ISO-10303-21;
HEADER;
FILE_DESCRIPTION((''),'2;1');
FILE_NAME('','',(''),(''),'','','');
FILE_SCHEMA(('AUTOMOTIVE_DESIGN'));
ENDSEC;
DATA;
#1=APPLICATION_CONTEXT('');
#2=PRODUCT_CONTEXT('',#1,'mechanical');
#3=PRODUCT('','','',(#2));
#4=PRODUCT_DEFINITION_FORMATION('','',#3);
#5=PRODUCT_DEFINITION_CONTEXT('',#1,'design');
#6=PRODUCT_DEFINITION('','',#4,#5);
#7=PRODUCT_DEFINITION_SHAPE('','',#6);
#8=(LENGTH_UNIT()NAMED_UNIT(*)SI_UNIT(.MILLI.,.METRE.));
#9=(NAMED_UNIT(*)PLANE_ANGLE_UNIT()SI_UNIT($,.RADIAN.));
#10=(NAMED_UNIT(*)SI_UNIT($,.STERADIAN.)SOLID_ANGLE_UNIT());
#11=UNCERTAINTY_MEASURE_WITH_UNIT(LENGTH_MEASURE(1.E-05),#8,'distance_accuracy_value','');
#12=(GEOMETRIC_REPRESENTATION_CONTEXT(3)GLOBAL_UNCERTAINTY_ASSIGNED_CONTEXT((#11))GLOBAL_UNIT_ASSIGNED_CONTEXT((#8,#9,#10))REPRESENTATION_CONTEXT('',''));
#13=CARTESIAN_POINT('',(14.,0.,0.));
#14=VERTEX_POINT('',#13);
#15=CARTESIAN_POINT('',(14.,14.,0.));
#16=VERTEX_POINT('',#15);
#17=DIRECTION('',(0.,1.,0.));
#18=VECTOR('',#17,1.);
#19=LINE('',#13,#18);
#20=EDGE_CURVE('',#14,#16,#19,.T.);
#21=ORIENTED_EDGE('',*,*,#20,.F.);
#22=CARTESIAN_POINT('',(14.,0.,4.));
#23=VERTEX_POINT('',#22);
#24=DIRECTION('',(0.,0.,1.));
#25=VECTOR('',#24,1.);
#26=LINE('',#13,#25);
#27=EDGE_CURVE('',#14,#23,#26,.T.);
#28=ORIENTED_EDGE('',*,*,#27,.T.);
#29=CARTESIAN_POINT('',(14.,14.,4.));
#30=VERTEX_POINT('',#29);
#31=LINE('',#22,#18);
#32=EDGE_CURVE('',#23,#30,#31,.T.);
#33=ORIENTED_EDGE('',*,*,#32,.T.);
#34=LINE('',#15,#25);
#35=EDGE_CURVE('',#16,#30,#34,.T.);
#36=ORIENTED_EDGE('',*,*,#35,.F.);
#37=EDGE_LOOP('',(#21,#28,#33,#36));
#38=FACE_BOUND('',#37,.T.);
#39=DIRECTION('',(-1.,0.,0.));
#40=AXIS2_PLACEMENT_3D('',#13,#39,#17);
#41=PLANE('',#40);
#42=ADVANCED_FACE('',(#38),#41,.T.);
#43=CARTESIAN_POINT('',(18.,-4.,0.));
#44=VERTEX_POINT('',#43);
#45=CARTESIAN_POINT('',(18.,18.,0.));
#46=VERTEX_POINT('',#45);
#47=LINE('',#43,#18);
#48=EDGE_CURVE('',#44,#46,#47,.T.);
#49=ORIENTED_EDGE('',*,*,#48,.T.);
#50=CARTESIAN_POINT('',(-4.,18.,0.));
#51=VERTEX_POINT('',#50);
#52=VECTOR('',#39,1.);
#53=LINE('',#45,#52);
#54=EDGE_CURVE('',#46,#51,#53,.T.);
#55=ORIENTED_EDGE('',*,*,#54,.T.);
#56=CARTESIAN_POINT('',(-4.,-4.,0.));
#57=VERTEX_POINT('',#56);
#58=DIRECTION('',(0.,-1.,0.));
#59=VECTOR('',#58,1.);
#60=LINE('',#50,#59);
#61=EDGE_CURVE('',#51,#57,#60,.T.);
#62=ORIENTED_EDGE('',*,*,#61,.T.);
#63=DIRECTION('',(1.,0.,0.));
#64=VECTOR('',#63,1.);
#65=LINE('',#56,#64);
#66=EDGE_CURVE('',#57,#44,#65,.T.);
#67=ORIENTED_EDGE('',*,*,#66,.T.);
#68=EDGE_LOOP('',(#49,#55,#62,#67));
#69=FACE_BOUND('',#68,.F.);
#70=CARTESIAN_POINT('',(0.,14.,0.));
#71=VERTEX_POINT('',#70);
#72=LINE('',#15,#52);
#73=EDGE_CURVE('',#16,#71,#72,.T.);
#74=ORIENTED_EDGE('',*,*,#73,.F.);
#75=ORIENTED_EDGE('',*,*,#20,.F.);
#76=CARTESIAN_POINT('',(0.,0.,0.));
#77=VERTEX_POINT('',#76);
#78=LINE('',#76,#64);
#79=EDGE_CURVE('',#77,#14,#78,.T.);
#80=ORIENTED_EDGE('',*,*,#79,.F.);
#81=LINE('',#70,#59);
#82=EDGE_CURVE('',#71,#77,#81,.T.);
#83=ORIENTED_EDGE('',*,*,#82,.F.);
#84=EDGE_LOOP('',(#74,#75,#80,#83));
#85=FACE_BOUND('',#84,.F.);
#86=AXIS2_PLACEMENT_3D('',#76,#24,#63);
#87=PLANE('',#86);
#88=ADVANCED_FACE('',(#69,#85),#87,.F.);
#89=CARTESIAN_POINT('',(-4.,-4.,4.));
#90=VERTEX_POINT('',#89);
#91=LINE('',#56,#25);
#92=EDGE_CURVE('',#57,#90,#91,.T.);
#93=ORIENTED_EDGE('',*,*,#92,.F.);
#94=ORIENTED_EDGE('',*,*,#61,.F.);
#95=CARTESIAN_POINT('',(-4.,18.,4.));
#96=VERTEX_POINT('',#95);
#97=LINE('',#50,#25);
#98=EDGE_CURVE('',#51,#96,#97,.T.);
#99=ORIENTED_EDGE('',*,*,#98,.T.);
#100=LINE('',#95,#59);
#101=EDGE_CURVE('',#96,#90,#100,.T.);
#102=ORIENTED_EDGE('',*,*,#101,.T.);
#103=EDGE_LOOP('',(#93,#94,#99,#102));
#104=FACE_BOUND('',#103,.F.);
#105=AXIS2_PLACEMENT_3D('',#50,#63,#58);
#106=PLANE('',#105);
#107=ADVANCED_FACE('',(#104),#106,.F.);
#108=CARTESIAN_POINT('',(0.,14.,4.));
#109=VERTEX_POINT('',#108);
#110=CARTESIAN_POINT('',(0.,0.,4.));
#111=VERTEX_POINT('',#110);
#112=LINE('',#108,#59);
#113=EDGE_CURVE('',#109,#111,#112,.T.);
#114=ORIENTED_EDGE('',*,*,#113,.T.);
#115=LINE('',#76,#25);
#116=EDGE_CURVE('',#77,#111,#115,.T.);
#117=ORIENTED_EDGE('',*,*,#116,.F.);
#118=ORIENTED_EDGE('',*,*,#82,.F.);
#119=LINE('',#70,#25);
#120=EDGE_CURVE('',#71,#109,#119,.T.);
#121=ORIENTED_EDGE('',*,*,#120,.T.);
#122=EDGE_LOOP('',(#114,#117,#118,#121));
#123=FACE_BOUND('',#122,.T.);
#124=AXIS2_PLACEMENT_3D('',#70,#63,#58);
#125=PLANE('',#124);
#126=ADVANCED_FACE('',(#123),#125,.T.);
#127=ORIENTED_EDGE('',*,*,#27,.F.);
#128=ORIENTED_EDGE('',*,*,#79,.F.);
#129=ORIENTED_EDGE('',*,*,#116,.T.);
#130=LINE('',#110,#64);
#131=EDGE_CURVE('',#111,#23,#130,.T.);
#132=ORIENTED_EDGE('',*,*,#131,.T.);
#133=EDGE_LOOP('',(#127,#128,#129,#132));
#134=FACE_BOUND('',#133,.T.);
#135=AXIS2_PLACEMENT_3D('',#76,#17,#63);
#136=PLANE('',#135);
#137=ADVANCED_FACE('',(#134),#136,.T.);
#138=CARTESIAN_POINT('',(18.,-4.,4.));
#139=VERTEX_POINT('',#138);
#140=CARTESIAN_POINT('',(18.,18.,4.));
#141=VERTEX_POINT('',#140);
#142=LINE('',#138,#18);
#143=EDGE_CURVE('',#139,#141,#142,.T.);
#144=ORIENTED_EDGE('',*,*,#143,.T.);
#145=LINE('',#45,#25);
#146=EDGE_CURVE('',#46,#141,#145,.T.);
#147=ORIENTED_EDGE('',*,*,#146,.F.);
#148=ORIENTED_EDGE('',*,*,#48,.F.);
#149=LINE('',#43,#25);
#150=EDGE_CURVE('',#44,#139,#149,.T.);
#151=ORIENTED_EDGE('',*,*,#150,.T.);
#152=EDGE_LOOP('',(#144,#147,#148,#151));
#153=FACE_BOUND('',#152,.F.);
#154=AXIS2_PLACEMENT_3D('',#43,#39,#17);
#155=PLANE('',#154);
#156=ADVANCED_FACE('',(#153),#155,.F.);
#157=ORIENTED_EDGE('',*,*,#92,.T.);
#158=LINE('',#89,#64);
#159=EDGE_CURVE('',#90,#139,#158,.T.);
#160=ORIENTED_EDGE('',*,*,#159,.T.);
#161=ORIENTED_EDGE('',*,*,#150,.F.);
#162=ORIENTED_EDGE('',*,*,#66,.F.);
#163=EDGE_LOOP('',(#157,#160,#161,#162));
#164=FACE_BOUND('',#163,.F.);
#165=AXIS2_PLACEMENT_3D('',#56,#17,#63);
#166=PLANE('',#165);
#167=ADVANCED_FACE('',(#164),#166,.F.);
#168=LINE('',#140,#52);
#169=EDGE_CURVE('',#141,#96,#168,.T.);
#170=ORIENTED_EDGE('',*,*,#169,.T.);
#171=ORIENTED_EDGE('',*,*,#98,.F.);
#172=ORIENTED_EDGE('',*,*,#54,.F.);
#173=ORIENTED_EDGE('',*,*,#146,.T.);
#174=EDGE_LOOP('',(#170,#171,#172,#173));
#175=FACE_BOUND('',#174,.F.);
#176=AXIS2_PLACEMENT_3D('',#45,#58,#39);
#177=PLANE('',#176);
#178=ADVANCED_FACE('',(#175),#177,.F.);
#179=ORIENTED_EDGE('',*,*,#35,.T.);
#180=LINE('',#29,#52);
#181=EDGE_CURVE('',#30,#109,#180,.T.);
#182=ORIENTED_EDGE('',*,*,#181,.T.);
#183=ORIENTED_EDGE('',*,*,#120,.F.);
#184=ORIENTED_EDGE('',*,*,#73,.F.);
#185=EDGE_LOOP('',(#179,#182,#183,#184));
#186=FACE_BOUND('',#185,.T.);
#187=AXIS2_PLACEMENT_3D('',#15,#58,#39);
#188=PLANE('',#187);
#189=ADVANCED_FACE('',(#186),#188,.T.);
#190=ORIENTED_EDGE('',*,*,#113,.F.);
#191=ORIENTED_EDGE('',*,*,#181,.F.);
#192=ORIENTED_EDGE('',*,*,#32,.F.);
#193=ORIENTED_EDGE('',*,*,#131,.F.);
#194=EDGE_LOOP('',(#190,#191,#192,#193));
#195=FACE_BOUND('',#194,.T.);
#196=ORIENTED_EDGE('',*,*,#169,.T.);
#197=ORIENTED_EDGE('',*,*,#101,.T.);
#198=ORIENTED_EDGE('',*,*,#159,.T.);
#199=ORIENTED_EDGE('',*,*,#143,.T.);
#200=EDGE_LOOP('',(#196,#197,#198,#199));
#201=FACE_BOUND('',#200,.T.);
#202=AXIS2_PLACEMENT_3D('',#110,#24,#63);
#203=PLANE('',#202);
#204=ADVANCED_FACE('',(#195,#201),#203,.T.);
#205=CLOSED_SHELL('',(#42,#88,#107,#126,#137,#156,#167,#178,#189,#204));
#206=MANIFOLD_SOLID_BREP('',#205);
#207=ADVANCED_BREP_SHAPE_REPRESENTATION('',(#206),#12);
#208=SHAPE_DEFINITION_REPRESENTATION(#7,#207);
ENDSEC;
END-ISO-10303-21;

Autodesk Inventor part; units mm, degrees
ref_plane "YZ Plane" through (0, 0, 0) normal (1, 0, 0) x (0, 1, 0)
ref_plane "XZ Plane" through (0, 0, 0) normal (0, 1, 0) x (-1, 0, 0)
ref_plane "XY Plane" through (0, 0, 0) normal (0, 0, 1) x (1, 0, 0)
sketch "Sketch1" plane through (0, 0, 0) normal (0, 0, 1) x (1, 0, 0)
  line L0 (0, 0) -> (14, 0)
  line L1 (14, 0) -> (14, 14)
  line L2 (14, 14) -> (0, 14)
  line L3 (0, 14) -> (0, 0)
  line L4 (-4, -4) -> (18, -4)
  line L5 (18, -4) -> (18, 18)
  line L6 (18, 18) -> (-4, 18)
  line L7 (-4, 18) -> (-4, -4)
  dimension "d0" = 14
  dimension "d1" = 14
  dimension "d2" = 4
  dimension "d3" = 4
  dimension "d4" = 4
  dimension "d5" = 4
extrude "Extrusion1" add sketch "Sketch1" along normal blind 4
properties part number "Key Cap Hole Test"
